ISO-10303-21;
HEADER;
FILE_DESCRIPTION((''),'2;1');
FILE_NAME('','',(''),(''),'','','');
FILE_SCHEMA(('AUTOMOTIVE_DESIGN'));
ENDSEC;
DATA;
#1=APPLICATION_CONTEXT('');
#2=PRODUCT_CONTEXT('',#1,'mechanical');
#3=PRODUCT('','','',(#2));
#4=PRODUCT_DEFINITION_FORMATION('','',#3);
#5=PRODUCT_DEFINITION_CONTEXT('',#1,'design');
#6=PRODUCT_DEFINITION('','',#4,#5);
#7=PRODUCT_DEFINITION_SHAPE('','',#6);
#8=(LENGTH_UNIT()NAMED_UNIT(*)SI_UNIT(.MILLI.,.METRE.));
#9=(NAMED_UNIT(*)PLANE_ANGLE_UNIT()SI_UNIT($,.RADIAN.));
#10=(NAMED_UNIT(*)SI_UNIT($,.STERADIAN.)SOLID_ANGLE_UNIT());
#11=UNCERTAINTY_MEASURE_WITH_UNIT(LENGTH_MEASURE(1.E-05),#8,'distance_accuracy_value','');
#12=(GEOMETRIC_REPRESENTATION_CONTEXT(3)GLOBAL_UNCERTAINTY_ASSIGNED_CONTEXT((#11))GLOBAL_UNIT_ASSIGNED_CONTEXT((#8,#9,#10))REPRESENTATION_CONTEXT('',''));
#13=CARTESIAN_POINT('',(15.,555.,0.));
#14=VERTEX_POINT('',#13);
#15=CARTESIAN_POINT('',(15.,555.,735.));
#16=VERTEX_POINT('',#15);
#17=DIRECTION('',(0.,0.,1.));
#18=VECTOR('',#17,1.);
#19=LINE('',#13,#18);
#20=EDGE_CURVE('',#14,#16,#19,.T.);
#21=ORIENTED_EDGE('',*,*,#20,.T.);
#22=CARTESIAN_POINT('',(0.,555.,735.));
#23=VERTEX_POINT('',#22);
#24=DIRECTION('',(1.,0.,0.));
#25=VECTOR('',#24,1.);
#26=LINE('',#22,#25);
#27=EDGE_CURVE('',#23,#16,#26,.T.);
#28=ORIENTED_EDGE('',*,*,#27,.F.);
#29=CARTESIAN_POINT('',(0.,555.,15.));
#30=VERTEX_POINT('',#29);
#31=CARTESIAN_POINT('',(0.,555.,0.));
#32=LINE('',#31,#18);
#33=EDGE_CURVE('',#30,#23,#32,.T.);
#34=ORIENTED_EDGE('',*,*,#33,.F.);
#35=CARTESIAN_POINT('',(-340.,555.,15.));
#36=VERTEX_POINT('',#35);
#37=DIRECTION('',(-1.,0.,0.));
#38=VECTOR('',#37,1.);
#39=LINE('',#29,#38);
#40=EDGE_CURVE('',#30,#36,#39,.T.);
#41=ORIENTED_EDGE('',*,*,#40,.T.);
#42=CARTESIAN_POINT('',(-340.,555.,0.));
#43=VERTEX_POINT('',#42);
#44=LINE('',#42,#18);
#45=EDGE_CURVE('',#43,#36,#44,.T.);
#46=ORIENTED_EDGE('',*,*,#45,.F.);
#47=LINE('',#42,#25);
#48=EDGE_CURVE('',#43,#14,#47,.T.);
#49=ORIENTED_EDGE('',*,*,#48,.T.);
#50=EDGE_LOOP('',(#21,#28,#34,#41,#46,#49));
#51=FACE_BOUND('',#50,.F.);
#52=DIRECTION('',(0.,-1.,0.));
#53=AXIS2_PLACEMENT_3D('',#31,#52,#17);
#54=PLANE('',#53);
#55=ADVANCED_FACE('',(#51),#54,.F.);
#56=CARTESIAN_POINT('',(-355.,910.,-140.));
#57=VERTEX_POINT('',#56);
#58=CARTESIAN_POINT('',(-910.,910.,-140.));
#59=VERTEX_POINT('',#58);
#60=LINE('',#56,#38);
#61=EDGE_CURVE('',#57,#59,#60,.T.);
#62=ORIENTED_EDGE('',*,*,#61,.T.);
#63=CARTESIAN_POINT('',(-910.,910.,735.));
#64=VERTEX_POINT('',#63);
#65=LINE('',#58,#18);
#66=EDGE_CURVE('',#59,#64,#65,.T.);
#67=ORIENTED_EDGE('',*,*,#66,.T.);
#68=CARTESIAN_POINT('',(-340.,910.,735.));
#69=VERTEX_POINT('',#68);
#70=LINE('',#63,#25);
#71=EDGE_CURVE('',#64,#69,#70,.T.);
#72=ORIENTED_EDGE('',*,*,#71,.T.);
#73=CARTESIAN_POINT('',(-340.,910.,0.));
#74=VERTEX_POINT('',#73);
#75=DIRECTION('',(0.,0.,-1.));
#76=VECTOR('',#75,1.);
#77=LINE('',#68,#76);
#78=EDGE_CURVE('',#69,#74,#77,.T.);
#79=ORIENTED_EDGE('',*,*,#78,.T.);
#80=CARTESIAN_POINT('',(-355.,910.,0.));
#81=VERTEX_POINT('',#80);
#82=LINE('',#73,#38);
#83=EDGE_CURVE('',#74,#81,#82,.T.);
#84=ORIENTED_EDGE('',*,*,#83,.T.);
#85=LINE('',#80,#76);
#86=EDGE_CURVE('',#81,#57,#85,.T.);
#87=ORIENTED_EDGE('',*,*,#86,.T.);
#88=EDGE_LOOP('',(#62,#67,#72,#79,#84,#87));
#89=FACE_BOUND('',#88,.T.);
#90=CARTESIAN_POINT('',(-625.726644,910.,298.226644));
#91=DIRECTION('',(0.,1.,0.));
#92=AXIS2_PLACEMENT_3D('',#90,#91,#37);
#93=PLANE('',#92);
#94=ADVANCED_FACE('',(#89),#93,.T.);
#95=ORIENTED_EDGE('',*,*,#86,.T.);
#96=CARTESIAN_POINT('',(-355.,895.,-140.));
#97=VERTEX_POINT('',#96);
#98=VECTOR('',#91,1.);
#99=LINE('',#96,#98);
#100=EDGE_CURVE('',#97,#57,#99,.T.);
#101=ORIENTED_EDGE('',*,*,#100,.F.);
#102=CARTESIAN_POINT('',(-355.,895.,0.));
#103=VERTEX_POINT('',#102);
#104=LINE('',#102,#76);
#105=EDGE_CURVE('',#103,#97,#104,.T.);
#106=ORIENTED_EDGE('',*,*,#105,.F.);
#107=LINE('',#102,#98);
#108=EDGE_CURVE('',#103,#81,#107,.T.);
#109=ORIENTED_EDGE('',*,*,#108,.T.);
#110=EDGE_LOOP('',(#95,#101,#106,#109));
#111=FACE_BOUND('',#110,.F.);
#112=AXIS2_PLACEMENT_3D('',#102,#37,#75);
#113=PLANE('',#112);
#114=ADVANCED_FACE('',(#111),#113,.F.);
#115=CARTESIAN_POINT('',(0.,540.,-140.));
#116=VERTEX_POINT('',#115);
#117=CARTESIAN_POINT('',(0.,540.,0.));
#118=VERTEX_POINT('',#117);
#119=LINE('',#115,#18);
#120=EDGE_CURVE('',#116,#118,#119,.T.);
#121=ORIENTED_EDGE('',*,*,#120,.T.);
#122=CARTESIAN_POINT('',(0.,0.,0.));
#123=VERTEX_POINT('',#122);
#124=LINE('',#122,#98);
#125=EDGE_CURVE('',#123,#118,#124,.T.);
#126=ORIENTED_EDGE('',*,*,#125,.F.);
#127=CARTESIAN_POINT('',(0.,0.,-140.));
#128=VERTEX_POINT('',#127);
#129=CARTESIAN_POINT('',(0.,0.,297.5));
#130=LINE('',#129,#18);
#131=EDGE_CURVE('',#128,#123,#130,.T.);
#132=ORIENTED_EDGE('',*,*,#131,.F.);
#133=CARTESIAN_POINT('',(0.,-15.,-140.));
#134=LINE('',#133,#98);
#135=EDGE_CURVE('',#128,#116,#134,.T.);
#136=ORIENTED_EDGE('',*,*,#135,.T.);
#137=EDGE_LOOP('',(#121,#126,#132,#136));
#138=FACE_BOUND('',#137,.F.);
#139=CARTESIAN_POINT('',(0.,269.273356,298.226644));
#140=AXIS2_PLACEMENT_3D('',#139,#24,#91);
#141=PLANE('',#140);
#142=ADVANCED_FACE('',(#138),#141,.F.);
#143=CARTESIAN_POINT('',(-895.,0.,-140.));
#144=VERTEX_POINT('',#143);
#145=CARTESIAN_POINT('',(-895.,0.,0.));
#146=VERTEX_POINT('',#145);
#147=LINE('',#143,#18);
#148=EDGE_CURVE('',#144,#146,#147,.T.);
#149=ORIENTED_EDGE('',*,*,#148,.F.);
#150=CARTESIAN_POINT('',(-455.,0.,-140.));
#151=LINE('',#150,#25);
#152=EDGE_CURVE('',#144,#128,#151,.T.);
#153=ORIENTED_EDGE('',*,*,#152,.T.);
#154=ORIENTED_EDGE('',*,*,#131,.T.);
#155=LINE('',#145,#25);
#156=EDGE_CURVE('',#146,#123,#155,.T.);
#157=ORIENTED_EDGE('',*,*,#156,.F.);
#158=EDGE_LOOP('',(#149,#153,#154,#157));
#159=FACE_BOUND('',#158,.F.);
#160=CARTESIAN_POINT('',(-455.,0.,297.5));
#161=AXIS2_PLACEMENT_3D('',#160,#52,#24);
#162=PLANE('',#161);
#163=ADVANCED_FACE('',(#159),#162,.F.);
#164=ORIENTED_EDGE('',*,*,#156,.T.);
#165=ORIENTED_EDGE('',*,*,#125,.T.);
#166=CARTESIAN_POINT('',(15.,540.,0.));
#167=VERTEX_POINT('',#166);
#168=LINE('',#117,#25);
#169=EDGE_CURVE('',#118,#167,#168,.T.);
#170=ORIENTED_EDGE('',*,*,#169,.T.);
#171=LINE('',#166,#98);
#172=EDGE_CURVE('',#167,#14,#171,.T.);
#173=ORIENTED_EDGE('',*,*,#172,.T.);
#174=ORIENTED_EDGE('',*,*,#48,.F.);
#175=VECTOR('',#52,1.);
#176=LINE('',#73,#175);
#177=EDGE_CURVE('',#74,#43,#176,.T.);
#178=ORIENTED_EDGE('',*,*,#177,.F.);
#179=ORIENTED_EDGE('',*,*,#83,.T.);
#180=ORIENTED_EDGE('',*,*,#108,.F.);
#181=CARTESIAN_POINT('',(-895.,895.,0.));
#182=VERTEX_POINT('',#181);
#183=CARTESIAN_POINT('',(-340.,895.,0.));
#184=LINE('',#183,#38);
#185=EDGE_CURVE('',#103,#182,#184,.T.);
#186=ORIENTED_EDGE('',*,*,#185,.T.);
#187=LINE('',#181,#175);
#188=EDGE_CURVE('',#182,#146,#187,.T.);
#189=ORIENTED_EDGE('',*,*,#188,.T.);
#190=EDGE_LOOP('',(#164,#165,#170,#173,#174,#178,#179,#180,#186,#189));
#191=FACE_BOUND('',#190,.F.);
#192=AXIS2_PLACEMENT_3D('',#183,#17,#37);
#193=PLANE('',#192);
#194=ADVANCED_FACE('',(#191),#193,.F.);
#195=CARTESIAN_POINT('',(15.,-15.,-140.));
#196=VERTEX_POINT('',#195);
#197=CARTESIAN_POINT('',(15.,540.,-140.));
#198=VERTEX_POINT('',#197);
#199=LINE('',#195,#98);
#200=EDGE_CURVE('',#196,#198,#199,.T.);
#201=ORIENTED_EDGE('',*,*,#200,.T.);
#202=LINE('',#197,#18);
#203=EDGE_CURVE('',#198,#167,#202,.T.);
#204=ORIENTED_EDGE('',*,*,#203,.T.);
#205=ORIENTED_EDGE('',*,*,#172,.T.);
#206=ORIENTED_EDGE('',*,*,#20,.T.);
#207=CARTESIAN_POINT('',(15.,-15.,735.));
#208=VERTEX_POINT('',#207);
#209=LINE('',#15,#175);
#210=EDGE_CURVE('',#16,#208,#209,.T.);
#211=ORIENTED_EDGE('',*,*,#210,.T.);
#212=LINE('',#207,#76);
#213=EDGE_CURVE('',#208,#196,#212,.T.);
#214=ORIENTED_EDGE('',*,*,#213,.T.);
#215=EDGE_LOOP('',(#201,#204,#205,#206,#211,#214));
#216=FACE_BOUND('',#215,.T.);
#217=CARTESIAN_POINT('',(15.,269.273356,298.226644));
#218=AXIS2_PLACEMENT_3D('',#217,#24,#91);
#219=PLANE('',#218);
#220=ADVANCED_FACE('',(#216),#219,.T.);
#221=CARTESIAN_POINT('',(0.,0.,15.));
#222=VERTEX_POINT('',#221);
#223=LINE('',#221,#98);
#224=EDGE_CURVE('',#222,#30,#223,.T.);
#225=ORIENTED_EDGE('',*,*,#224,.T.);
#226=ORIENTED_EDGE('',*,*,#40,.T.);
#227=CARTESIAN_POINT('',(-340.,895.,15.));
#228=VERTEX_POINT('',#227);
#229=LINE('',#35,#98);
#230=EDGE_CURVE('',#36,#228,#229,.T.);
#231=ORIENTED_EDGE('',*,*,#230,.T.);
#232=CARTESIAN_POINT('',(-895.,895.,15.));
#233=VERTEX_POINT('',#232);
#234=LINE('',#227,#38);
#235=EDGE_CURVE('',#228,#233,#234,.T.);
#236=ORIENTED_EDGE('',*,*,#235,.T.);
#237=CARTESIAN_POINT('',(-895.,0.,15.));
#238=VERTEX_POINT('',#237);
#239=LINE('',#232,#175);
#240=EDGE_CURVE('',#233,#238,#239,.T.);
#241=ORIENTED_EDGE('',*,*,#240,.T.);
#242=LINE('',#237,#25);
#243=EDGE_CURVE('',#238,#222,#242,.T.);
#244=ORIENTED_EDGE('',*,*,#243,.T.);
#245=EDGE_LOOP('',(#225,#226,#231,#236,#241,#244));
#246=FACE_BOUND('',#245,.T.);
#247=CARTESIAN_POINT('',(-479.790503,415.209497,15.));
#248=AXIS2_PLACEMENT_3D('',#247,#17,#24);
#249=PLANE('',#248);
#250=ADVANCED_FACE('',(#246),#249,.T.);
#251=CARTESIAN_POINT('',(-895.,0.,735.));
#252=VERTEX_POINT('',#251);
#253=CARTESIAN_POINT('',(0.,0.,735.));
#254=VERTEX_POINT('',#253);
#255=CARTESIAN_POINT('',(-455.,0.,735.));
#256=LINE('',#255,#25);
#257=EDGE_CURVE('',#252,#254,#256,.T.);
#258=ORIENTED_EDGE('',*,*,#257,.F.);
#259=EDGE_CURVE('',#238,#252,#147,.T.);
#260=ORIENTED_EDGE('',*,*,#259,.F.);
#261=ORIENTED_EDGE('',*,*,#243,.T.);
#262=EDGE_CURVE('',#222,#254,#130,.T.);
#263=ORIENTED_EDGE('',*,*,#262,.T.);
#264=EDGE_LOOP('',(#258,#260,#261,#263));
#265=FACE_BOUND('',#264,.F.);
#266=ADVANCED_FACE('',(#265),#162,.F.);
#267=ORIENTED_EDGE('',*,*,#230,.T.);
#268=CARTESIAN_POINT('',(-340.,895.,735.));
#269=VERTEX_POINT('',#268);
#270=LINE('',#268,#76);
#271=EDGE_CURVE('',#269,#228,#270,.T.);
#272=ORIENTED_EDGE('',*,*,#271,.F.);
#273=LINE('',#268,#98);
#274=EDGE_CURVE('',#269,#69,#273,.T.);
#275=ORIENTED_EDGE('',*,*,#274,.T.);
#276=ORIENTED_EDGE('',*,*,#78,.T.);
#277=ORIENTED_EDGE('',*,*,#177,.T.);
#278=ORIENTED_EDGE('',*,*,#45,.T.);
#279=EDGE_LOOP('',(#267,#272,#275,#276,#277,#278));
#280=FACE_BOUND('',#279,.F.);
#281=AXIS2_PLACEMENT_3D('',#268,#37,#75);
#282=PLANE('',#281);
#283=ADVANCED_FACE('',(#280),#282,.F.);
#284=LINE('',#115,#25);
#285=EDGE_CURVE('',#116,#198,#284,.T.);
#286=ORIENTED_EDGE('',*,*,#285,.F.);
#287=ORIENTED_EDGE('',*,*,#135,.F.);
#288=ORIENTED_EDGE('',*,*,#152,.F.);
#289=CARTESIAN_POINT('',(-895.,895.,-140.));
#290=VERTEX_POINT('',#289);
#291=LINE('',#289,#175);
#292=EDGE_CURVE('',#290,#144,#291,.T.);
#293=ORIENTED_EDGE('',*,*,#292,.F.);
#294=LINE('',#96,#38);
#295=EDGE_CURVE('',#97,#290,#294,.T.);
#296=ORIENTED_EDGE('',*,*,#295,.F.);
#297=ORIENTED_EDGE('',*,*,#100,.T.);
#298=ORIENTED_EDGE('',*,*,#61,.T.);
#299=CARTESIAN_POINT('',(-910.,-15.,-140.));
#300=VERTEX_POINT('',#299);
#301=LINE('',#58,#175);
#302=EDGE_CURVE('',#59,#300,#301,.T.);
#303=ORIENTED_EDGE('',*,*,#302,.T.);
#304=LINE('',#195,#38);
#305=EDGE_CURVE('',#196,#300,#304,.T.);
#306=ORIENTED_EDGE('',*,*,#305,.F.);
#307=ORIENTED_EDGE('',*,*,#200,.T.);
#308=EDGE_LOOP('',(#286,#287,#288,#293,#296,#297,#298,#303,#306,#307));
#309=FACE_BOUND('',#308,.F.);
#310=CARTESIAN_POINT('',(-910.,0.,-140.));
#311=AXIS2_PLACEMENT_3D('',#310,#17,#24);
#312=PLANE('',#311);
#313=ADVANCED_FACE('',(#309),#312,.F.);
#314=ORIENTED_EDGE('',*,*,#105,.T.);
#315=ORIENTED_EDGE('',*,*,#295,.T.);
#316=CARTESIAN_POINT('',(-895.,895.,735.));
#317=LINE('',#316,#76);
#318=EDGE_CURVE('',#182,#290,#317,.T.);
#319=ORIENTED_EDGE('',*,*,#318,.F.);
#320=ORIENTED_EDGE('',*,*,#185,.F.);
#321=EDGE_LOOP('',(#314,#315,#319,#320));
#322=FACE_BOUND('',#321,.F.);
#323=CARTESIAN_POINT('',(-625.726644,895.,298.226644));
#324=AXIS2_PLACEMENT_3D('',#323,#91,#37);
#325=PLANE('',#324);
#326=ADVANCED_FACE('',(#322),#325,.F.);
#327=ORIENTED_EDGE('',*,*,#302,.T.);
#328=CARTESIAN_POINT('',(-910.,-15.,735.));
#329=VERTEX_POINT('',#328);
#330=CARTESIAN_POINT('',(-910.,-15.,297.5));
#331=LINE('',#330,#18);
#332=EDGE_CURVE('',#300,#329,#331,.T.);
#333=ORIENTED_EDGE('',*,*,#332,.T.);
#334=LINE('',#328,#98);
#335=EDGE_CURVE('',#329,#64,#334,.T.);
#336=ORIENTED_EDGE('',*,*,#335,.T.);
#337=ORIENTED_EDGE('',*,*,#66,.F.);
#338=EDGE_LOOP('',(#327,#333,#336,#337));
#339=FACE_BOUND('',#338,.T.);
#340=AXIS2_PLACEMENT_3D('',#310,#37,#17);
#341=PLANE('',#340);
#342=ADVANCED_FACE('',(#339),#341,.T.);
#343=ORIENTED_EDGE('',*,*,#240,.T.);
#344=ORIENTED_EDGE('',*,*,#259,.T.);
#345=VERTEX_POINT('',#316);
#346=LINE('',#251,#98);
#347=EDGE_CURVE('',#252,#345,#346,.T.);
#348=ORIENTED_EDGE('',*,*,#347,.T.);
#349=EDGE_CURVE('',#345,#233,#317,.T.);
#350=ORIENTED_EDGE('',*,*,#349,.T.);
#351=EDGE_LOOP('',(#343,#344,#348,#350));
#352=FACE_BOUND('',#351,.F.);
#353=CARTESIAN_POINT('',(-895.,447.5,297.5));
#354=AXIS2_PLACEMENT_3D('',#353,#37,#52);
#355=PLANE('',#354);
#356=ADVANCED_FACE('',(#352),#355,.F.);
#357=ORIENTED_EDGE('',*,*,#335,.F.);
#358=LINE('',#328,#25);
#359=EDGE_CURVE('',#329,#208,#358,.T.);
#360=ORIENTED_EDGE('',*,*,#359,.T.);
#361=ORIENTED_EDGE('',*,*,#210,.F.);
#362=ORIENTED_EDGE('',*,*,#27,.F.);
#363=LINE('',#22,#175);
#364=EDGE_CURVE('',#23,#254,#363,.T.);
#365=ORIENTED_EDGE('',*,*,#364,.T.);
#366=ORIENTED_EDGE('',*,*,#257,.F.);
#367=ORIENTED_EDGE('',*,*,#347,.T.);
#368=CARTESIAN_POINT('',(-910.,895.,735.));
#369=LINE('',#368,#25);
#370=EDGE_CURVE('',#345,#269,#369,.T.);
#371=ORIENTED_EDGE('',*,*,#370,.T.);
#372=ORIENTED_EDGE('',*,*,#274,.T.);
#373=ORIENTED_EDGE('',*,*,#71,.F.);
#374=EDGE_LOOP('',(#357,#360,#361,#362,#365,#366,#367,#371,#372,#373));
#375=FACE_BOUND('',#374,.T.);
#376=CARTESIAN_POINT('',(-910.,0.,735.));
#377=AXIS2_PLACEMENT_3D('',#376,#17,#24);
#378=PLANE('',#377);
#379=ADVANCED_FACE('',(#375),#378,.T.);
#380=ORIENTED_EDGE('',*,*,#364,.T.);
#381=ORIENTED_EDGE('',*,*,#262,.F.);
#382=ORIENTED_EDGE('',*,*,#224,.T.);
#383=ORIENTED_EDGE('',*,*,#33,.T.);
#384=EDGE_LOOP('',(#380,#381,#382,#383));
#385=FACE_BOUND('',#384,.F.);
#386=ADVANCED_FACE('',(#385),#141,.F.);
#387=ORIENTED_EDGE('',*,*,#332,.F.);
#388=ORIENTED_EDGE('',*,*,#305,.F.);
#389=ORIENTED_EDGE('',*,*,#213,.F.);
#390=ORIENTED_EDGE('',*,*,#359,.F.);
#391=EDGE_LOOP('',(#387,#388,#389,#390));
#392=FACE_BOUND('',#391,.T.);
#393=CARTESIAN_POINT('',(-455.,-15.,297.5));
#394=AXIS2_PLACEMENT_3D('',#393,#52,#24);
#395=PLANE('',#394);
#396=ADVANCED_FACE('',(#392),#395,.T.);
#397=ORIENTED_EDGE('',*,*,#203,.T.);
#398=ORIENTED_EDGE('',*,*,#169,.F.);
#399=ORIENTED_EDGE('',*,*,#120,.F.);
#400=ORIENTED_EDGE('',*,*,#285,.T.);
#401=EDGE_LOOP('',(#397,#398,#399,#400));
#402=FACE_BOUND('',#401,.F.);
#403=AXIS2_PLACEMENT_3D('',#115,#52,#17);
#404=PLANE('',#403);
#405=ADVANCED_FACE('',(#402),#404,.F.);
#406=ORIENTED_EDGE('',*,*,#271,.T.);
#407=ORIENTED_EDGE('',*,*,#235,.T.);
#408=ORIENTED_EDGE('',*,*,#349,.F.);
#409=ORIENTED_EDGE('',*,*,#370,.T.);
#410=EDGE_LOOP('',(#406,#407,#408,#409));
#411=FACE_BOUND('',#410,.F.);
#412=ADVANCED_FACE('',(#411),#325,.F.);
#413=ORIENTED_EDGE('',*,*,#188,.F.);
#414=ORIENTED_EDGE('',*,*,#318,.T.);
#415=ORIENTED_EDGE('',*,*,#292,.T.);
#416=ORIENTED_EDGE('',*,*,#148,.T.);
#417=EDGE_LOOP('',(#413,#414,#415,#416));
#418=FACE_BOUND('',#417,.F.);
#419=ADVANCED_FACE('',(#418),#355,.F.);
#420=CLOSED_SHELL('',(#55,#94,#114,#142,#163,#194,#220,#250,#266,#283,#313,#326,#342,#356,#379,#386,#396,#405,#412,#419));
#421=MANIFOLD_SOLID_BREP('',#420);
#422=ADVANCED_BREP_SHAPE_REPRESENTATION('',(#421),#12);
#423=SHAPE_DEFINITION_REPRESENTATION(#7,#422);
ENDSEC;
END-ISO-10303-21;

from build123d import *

# Parameters (mm, degrees)
F2_DEPTH  = 15
F3_DEPTH  = 15
F6_DEPTH  = 15
F9_DEPTH  = 15
F11_W     = 910
F11_H     = 875
F12_DEPTH = 15


with BuildPart() as f2:
    # F0 (on Right) → F2 (new body)
    with BuildSketch(Plane.YZ):
        Polygon((-15, -140), (540, -140), (540, 0), (555, 0), (555, 735), (-15, 735), align=None)
    extrude(amount=F2_DEPTH)

    # F1 (on Top) → F3 (join)
    with BuildSketch(Plane.XY):
        Polygon((-895, 0), (0, 0), (0, 555), (-340, 555), (-340, 895), (-895, 895), align=None)
    extrude(amount=F3_DEPTH)

    # F5 (on offset) → F6 (join)
    with BuildSketch(Plane(origin=(-895, 0, 0), x_dir=(0, -1, 0), z_dir=(-1, 0, 0))):
        Polygon((0, -140), (0, 0), (0, 735), (-895, 735), (-895, -140), align=None)
    extrude(amount=F6_DEPTH)

    # F8 (on offset) → F9 (join)
    with BuildSketch(Plane(origin=(0, 895, 0), x_dir=(-1, 0, 0), z_dir=(0, 1, 0))):
        Polygon((355, -140), (910, -140), (910, 735), (340, 735), (340, 0), (355, 0), align=None)
    extrude(amount=F9_DEPTH)

    # F11 (on offset) → F12 (join)
    with BuildSketch(Plane.XZ):
        with Locations((-455, 297.5)):
            Rectangle(F11_W, F11_H)
    extrude(amount=F12_DEPTH)


solid = f2.part
